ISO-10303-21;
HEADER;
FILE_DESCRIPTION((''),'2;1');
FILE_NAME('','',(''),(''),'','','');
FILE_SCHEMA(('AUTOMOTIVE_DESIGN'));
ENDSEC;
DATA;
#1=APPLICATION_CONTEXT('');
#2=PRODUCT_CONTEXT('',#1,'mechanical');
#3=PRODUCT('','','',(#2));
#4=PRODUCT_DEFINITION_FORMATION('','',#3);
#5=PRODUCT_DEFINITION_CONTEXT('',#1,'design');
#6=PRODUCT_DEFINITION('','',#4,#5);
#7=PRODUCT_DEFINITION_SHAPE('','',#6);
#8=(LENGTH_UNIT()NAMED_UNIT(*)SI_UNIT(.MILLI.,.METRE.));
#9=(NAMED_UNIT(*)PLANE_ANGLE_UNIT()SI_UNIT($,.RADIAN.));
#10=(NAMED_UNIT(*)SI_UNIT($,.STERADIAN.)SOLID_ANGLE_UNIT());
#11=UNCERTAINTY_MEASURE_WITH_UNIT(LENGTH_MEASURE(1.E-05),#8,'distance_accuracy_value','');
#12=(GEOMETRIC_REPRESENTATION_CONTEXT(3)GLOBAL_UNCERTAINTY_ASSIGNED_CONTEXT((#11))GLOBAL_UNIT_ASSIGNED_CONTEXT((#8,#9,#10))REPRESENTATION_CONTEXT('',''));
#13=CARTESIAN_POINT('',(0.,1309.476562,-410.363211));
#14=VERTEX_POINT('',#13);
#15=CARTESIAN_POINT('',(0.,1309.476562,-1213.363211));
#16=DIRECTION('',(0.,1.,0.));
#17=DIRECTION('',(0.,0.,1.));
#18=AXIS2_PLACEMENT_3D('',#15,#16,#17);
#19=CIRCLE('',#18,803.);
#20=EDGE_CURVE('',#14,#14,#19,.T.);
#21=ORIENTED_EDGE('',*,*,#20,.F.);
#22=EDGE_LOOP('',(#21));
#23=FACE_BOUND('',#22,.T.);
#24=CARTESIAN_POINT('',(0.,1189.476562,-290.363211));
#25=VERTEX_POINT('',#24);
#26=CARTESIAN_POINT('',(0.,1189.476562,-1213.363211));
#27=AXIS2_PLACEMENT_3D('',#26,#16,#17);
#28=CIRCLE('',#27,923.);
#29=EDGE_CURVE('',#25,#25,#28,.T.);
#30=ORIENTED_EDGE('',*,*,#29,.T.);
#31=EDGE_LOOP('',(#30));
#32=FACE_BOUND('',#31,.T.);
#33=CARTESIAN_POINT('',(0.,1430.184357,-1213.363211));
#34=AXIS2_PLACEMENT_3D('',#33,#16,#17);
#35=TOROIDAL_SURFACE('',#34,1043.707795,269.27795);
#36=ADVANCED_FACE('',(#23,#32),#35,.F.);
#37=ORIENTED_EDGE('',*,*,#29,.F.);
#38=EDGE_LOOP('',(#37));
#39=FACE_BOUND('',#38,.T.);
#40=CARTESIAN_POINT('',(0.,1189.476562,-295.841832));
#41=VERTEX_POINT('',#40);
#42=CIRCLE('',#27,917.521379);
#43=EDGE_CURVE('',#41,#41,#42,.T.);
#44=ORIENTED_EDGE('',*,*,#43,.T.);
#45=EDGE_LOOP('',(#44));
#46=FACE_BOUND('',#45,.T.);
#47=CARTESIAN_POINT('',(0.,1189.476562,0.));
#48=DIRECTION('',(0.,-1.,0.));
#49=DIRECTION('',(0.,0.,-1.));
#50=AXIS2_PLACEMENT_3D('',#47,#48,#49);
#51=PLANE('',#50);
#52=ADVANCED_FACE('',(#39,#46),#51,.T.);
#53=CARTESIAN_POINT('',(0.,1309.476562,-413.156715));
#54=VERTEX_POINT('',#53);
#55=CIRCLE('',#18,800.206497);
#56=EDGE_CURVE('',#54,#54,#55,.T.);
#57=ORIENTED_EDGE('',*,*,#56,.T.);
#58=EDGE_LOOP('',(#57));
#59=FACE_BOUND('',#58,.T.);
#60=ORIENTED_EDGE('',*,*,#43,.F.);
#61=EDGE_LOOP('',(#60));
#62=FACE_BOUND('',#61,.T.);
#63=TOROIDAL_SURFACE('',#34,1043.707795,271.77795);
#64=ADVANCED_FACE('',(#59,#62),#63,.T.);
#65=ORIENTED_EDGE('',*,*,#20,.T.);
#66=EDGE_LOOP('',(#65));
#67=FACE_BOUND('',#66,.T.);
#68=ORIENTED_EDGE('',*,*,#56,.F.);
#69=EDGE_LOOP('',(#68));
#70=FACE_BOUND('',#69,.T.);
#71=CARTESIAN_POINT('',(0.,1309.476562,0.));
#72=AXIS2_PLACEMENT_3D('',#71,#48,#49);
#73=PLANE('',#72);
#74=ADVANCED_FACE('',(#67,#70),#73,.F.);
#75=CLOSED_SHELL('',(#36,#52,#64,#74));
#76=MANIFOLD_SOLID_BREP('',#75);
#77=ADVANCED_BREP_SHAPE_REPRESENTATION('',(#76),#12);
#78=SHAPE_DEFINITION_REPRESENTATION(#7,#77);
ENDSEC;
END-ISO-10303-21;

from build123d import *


with BuildPart() as part:
    # Sketch1 → Revolve1 (revolve)
    with BuildSketch(Plane(origin=(0, 0, 0), x_dir=(0, 0, -1), z_dir=(1, 0, 0)), mode=Mode.PRIVATE) as revolve1_sk:
        with BuildLine():
            Line((2016.363211372, 1309.476561725), (2013.56970797, 1309.476561725))
            ThreePointArc((2013.56970797, 1309.476561725), (2062.733023707, 1240.194876491), (2130.884590603, 1189.476561725))
            Line((2130.884590603, 1189.476561725), (2136.363211372, 1189.476561725))
            ThreePointArc((2136.363211372, 1189.476561725), (2066.662741903, 1239.776092257), (2016.363211372, 1309.476561725))
        make_face()
    revolve(revolve1_sk.sketch.rotate(Axis((0, 1309.476561725, -1213.363211372), (0, -1, 0)), 180), axis=Axis((0, 1309.476561725, -1213.363211372), (0, -1, 0)))


solid = part.part
